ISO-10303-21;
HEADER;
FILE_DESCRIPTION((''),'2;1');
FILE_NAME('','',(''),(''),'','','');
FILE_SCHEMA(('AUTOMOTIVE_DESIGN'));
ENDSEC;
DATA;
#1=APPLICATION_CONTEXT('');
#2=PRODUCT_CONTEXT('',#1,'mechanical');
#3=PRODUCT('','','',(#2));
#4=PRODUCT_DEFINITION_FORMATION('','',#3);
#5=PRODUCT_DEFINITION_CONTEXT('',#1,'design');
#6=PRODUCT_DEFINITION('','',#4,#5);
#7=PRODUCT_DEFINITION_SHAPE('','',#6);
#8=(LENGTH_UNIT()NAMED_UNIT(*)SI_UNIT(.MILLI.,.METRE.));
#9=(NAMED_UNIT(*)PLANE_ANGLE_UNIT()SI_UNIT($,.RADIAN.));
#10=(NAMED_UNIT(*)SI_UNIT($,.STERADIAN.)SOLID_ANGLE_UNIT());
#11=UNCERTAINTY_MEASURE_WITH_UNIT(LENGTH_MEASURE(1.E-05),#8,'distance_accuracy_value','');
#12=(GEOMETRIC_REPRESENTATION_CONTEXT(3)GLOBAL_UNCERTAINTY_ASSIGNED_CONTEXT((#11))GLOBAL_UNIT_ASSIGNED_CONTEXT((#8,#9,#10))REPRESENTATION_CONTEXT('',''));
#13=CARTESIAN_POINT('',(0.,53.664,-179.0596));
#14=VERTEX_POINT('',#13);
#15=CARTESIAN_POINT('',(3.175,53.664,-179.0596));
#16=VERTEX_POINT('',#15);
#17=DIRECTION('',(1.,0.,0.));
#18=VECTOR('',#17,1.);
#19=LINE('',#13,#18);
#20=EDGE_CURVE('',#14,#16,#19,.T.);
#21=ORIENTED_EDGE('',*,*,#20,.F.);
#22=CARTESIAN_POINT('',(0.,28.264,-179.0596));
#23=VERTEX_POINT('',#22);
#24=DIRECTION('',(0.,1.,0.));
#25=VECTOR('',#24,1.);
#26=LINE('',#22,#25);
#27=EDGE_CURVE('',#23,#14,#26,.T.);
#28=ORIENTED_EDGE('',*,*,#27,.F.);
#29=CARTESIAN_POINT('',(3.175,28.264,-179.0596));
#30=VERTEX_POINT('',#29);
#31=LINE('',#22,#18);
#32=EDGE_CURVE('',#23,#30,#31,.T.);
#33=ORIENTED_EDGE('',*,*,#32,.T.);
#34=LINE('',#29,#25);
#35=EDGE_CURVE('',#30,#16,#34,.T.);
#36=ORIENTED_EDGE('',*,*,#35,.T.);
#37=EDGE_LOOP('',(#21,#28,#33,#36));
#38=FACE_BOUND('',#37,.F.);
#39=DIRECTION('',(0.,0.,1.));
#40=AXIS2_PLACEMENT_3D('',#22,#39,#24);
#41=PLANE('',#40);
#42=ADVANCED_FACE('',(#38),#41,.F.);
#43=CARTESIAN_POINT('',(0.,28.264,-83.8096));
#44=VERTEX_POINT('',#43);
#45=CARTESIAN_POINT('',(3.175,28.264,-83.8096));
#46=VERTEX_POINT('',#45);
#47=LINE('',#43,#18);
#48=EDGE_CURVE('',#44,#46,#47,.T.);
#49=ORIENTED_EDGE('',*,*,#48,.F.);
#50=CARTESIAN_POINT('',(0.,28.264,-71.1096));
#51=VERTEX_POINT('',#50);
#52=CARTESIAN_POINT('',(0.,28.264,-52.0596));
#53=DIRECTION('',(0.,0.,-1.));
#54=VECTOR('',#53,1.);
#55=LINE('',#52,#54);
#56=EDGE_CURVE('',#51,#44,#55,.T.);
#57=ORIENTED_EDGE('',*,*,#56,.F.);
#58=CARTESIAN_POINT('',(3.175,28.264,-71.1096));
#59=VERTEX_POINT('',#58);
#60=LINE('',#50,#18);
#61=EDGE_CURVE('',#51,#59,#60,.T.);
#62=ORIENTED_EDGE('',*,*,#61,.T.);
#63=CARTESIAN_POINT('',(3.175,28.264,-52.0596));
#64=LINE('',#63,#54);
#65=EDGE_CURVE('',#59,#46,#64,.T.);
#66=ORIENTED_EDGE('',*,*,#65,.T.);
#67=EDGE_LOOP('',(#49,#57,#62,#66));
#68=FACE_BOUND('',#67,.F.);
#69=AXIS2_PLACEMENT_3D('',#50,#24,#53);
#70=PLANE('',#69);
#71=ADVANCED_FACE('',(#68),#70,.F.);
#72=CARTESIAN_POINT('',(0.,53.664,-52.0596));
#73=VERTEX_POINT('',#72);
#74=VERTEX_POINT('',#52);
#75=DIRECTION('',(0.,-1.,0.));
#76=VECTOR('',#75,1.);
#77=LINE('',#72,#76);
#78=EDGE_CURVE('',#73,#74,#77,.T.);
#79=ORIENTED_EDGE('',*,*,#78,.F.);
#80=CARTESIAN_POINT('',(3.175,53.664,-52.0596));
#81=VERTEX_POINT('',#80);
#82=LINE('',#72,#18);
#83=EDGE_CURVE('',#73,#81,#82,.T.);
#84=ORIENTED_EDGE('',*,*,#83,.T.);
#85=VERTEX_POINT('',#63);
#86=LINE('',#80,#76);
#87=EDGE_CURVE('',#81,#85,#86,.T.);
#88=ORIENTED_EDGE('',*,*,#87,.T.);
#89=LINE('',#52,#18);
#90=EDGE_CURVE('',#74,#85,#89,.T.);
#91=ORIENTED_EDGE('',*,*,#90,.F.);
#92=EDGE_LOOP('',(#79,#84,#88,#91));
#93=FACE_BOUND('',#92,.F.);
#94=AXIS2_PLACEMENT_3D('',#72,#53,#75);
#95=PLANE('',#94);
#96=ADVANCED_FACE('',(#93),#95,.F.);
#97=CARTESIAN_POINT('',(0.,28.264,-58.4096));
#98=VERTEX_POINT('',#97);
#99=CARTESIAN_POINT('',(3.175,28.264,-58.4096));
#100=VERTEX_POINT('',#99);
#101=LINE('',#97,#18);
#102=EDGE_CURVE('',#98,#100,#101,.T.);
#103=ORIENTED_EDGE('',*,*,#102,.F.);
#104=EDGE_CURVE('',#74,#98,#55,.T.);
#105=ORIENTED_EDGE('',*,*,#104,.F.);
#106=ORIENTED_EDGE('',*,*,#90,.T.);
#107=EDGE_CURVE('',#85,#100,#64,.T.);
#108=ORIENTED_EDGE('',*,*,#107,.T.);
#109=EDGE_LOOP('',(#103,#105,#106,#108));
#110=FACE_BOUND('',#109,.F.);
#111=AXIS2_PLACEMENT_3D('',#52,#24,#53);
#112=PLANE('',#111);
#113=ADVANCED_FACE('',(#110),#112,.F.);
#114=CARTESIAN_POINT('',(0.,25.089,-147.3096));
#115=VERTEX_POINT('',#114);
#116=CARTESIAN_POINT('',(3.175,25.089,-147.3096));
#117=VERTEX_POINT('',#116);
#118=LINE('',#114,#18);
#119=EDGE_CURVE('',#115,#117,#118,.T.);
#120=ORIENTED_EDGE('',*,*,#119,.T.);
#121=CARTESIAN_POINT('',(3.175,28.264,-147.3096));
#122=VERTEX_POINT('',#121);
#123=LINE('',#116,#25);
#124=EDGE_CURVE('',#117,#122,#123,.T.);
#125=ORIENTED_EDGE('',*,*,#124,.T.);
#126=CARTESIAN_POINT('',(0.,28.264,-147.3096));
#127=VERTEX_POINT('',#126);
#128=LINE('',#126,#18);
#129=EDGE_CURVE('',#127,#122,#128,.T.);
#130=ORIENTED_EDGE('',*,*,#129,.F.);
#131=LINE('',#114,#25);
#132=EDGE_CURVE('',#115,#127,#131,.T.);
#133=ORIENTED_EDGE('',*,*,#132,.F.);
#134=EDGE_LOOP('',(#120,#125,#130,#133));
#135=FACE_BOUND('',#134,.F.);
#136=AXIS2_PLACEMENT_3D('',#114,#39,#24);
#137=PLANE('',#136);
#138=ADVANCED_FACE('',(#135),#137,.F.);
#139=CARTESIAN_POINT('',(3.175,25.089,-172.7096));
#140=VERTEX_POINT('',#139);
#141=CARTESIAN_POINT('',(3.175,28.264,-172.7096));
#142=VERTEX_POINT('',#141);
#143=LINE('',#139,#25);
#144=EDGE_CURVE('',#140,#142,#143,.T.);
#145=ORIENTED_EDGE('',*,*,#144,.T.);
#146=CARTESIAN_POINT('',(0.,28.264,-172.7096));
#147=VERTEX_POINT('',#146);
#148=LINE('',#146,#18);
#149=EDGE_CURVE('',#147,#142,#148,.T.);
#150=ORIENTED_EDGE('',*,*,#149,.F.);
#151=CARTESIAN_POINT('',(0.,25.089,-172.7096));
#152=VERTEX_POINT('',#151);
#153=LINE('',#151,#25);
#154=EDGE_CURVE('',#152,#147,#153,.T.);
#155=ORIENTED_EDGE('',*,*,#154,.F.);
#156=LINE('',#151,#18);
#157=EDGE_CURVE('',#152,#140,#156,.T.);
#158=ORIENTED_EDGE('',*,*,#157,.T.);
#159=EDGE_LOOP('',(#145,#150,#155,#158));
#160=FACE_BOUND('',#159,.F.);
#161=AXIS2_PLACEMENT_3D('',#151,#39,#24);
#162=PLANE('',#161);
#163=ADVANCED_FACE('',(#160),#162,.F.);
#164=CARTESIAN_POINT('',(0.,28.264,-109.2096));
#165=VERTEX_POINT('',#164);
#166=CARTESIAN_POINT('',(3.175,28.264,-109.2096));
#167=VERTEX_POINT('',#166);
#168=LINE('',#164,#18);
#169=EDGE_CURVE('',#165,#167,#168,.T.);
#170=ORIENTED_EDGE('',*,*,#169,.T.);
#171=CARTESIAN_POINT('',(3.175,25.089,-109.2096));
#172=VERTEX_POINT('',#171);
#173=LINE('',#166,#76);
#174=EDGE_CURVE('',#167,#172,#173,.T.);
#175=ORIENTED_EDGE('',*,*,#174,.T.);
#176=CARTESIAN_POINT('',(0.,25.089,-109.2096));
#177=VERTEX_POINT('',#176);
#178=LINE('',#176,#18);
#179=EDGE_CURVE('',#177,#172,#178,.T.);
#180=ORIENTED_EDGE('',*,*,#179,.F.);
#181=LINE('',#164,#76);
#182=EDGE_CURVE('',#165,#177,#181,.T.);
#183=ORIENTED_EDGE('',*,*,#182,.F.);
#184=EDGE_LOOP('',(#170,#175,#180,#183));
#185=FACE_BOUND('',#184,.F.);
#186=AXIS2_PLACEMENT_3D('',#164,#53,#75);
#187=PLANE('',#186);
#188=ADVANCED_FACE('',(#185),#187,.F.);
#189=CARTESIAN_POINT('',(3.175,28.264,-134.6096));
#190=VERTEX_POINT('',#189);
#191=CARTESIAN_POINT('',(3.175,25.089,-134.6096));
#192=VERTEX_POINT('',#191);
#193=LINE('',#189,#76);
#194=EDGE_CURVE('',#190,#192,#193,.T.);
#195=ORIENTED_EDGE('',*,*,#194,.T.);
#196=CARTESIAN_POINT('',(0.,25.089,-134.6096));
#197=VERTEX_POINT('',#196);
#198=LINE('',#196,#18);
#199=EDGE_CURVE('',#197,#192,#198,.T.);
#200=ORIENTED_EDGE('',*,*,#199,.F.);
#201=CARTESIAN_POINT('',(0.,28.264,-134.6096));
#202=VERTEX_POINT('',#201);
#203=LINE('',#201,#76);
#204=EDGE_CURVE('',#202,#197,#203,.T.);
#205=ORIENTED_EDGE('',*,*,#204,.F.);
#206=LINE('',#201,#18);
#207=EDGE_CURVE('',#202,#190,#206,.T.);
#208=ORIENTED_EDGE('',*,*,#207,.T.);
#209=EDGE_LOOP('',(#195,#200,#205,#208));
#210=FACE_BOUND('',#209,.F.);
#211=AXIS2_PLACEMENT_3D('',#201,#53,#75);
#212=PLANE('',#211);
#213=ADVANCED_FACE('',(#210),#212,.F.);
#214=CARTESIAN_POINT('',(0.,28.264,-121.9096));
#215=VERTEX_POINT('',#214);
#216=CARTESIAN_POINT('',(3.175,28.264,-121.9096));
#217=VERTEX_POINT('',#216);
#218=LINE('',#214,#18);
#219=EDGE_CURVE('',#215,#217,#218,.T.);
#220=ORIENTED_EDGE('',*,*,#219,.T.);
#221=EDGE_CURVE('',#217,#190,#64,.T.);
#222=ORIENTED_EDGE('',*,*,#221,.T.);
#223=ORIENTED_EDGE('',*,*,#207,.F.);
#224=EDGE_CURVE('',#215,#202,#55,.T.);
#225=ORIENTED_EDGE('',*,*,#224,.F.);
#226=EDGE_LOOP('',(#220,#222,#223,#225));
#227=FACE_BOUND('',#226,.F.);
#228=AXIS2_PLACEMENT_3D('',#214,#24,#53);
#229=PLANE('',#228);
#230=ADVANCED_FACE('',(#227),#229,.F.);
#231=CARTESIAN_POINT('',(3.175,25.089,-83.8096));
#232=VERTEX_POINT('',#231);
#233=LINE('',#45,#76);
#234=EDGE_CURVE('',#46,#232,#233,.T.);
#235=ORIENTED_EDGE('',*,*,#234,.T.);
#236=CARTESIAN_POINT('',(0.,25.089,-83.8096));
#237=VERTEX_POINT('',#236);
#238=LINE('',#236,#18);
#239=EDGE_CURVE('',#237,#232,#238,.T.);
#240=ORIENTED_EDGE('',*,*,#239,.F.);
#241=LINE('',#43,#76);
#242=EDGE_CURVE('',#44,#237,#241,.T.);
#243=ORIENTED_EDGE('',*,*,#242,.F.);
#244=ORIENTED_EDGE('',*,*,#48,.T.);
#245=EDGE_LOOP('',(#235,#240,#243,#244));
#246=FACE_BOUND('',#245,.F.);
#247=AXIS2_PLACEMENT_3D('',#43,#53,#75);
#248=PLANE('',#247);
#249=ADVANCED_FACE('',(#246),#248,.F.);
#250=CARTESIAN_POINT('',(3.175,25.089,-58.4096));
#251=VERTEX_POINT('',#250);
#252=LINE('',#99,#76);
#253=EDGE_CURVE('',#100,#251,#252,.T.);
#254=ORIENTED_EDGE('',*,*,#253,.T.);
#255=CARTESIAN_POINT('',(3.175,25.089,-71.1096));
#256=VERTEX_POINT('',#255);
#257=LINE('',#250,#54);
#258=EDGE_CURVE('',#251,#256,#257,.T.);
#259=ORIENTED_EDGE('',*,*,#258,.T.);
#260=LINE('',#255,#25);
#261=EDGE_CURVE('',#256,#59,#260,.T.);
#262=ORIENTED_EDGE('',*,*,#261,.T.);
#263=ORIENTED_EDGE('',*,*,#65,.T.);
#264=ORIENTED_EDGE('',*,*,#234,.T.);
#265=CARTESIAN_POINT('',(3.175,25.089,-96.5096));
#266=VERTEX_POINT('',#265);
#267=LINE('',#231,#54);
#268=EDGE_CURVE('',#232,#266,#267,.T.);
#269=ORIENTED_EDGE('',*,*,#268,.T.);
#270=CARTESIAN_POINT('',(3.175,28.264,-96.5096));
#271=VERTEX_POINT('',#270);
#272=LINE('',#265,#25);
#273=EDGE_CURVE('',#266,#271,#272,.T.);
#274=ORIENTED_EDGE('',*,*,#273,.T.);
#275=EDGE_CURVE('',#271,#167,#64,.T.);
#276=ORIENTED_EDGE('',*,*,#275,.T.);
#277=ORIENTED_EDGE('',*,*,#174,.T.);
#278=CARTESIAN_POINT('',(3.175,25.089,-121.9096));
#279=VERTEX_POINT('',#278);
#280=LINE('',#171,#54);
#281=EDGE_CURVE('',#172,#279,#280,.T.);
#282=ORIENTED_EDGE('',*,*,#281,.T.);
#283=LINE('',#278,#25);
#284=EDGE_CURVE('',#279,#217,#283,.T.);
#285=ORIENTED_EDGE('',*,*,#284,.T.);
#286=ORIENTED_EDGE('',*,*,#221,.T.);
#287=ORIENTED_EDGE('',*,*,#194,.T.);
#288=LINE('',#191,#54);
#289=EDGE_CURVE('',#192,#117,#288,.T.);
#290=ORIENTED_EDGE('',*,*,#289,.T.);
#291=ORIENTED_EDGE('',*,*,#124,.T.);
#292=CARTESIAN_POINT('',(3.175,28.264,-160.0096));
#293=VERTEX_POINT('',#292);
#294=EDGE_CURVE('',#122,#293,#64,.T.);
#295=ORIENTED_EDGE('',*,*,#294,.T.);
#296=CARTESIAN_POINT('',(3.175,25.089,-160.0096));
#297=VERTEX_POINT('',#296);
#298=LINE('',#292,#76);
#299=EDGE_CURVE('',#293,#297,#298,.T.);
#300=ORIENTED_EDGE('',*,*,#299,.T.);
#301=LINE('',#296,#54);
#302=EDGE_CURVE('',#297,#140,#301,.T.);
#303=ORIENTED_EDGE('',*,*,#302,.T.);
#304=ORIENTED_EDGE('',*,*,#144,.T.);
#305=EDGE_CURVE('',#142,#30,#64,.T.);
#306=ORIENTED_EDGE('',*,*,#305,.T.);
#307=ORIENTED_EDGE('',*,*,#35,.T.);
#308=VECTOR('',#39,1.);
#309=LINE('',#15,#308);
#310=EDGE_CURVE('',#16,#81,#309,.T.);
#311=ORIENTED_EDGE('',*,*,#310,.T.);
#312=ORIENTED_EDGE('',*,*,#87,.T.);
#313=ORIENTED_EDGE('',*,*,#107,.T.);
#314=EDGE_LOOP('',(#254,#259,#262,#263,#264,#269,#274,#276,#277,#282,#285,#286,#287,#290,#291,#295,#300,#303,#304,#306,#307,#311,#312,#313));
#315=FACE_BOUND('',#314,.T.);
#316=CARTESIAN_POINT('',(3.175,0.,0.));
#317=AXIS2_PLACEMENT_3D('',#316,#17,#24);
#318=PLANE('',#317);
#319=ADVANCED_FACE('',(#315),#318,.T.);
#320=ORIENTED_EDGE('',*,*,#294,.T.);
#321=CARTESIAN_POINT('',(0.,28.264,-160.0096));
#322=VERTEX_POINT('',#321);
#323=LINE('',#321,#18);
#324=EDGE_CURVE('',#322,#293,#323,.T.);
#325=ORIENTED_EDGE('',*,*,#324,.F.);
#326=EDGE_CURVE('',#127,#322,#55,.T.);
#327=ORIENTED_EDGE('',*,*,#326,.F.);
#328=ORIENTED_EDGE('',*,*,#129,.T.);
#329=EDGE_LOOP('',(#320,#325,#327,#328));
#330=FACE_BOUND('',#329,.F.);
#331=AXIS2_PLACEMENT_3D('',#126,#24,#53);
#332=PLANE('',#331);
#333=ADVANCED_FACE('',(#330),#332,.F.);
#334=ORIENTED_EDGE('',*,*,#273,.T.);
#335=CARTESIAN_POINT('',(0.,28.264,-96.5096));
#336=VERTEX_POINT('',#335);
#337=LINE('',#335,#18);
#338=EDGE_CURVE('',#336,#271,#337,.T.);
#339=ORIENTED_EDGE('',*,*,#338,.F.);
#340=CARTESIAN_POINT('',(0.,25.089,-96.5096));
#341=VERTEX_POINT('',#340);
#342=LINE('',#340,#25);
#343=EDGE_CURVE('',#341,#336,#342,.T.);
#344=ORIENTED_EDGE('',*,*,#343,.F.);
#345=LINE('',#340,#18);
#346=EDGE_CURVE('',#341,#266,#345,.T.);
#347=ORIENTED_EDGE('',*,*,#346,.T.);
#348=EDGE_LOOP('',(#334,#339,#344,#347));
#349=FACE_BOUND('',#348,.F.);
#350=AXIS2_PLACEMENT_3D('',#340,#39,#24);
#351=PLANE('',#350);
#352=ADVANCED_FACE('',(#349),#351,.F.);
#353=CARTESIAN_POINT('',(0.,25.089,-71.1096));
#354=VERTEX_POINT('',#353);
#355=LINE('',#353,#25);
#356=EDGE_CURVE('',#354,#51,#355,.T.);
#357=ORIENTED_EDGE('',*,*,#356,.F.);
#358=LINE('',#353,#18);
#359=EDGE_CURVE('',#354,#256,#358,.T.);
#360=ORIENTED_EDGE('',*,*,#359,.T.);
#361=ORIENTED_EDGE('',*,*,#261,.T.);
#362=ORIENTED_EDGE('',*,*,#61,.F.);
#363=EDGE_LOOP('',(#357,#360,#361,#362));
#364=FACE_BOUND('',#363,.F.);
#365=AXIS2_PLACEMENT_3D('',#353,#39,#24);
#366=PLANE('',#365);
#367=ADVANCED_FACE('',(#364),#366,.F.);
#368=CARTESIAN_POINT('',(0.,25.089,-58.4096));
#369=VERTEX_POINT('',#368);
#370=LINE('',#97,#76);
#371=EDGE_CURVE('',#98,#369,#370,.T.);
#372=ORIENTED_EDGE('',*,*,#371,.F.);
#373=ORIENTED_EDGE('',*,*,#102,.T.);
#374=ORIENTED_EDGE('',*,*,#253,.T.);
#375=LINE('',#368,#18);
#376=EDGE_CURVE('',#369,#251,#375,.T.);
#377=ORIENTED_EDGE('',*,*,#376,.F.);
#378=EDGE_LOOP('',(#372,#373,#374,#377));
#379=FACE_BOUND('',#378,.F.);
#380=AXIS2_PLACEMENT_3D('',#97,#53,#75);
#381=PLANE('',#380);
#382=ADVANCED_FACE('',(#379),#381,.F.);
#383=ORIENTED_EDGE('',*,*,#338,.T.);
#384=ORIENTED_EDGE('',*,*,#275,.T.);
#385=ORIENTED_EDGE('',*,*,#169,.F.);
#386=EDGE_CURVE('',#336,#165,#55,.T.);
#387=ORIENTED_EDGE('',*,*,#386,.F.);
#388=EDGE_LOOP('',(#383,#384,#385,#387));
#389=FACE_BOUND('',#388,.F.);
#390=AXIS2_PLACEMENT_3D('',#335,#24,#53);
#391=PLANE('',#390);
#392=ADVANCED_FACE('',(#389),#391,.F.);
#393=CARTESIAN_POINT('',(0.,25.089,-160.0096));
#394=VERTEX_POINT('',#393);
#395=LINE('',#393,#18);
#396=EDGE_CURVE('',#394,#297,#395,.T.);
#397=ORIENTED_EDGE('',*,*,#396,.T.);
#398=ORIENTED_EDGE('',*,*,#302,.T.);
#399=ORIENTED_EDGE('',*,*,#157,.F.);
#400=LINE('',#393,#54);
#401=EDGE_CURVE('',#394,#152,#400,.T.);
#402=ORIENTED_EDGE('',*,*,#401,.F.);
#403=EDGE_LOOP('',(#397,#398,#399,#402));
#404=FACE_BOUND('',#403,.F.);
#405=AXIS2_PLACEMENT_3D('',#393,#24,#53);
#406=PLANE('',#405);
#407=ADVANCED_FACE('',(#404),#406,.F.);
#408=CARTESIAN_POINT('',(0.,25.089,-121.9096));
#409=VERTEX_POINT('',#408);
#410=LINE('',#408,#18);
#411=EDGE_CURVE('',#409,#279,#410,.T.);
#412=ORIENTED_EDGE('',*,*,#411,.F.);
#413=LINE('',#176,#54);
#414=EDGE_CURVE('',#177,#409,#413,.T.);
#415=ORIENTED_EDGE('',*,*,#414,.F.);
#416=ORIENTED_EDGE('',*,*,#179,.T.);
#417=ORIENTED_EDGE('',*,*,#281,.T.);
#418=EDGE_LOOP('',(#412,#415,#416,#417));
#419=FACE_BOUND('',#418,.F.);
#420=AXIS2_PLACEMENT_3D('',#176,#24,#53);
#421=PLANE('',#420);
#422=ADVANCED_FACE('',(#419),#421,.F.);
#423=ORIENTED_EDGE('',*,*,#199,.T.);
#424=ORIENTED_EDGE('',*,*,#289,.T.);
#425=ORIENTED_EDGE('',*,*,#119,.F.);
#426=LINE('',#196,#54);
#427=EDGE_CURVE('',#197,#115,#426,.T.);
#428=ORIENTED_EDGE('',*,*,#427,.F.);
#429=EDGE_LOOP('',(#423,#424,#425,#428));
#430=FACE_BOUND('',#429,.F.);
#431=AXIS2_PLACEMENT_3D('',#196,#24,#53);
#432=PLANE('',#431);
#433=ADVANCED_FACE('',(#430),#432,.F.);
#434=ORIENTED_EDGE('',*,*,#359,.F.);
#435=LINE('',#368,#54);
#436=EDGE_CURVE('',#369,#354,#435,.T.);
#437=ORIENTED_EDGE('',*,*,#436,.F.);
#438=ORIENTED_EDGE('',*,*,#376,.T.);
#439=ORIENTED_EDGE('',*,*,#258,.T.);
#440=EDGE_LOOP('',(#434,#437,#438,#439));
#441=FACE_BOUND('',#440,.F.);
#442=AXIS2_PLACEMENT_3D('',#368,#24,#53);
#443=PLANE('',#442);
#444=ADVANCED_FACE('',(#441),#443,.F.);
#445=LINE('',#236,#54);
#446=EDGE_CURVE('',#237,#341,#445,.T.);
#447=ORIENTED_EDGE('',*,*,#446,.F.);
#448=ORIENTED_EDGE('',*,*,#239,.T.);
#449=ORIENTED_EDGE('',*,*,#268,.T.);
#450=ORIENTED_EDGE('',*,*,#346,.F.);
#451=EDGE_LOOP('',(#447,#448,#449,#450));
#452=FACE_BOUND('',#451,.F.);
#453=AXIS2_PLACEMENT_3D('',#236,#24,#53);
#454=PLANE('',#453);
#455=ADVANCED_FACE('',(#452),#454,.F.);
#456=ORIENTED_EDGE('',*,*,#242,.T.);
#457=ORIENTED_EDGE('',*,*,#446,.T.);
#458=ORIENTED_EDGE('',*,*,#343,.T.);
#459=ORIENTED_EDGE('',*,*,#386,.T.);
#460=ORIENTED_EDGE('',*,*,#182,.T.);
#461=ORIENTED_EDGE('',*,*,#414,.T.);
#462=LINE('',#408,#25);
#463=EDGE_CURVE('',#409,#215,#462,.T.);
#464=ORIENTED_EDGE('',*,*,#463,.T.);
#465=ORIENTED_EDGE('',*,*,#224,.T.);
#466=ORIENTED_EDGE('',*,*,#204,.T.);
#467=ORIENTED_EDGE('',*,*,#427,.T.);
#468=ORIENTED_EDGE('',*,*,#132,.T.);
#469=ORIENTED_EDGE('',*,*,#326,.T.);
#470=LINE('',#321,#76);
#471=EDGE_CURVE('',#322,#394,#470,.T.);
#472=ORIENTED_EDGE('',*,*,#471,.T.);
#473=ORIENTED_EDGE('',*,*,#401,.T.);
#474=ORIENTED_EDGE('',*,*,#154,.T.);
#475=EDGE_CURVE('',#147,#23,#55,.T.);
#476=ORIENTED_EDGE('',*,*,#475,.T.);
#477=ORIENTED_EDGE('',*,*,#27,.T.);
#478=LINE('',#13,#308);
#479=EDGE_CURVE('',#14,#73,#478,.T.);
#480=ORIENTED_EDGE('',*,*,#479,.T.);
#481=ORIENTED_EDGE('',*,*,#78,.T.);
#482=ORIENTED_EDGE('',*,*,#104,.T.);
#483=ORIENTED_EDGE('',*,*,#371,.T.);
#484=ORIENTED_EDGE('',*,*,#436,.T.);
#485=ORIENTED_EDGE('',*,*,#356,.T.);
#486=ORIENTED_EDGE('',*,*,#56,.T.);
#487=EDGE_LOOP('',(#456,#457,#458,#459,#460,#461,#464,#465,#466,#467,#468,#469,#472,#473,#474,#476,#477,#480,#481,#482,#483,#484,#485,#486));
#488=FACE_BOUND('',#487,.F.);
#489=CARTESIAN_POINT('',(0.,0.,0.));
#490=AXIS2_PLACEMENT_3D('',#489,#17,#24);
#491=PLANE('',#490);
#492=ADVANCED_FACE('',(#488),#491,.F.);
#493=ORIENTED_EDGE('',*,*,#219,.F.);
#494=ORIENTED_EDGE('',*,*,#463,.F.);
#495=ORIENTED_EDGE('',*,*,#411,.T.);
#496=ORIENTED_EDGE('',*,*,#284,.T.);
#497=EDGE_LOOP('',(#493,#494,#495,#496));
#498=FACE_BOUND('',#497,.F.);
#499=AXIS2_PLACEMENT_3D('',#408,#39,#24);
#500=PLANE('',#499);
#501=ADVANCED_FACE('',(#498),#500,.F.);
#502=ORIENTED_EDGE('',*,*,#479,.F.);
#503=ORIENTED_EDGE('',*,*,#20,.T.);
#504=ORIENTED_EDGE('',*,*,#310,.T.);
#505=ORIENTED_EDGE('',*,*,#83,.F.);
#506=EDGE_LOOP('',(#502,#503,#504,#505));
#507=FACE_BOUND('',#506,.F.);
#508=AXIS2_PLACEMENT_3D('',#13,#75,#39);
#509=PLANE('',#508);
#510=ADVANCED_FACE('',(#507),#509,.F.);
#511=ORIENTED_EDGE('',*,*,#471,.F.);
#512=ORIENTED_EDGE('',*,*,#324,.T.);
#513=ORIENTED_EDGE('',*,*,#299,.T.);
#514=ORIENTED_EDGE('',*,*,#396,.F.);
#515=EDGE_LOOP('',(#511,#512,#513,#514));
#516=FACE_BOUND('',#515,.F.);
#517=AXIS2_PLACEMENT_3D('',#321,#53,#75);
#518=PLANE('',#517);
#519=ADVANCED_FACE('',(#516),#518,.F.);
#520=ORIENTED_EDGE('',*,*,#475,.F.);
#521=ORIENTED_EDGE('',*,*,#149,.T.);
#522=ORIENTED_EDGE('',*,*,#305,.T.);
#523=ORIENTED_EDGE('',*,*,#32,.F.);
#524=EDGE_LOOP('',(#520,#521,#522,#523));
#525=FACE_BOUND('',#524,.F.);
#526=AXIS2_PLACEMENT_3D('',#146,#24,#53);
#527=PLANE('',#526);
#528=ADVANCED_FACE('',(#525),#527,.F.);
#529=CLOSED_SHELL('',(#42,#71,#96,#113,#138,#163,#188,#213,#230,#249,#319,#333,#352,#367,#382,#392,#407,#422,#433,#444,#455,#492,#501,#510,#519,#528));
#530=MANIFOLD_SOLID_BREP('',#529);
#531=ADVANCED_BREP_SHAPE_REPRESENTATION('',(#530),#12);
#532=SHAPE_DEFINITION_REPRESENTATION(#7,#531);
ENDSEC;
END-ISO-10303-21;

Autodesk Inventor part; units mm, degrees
ref_plane "YZ Plane" through (0, 0, 0) normal (1, 0, 0) x (0, 1, 0)
ref_plane "XZ Plane" through (0, 0, 0) normal (0, 1, 0) x (-1, 0, 0)
ref_plane "XY Plane" through (0, 0, 0) normal (0, 0, 1) x (1, 0, 0)
sketch "Sketch1" plane through (0, 0, 0) normal (1, 0, 0) x (0, 1, 0)
  line L0 (53.664, -52.0596) -> (28.264, -52.0596)
  line L1 (28.264, -52.0596) -> (28.264, -179.0596)
  line L2 (28.264, -179.0596) -> (53.664, -179.0596)
  line L3 (53.664, -179.0596) -> (53.664, -52.0596)
  line L4 (28.264, -58.4096) -> (25.089, -58.4096)
  line L5 (25.089, -58.4096) -> (25.089, -71.1096)
  line L6 (25.089, -71.1096) -> (28.264, -71.1096)
  line L7 (28.264, -71.1096) -> (28.264, -58.4096)
  line L8 (28.264, -83.8096) -> (25.089, -83.8096)
  line L9 (25.089, -83.8096) -> (25.089, -96.5096)
  line L10 (25.089, -96.5096) -> (28.264, -96.5096)
  line L11 (28.264, -96.5096) -> (28.264, -83.8096)
  line L12 (28.264, -109.2096) -> (25.089, -109.2096)
  line L13 (25.089, -109.2096) -> (25.089, -121.9096)
  line L14 (25.089, -121.9096) -> (28.264, -121.9096)
  line L15 (28.264, -121.9096) -> (28.264, -109.2096)
  line L16 (28.264, -134.6096) -> (25.089, -134.6096)
  line L17 (25.089, -134.6096) -> (25.089, -147.3096)
  line L18 (25.089, -147.3096) -> (28.264, -147.3096)
  line L19 (28.264, -147.3096) -> (28.264, -134.6096)
  line L20 (28.264, -160.0096) -> (25.089, -160.0096)
  line L21 (25.089, -160.0096) -> (25.089, -172.7096)
  line L22 (25.089, -172.7096) -> (28.264, -172.7096)
  line L23 (28.264, -172.7096) -> (28.264, -160.0096)
  point P0 (0, 0)
  dimension "d0" = 127
  dimension "d1" = 25.4
  dimension "d2" = 6.35
  dimension "d3" = 3.175
  dimension "d4" = 12.7
  dimension "d5" = 12.7
  dimension "d6" = 12.7
  dimension "d7" = 12.7
  dimension "d8" = 12.7
  dimension "d9" = 12.7
  dimension "d10" = 12.7
  dimension "d11" = 12.7
  dimension "d12" = 12.7
extrude "Extrusion1" add sketch "Sketch1" along normal blind 3.175
